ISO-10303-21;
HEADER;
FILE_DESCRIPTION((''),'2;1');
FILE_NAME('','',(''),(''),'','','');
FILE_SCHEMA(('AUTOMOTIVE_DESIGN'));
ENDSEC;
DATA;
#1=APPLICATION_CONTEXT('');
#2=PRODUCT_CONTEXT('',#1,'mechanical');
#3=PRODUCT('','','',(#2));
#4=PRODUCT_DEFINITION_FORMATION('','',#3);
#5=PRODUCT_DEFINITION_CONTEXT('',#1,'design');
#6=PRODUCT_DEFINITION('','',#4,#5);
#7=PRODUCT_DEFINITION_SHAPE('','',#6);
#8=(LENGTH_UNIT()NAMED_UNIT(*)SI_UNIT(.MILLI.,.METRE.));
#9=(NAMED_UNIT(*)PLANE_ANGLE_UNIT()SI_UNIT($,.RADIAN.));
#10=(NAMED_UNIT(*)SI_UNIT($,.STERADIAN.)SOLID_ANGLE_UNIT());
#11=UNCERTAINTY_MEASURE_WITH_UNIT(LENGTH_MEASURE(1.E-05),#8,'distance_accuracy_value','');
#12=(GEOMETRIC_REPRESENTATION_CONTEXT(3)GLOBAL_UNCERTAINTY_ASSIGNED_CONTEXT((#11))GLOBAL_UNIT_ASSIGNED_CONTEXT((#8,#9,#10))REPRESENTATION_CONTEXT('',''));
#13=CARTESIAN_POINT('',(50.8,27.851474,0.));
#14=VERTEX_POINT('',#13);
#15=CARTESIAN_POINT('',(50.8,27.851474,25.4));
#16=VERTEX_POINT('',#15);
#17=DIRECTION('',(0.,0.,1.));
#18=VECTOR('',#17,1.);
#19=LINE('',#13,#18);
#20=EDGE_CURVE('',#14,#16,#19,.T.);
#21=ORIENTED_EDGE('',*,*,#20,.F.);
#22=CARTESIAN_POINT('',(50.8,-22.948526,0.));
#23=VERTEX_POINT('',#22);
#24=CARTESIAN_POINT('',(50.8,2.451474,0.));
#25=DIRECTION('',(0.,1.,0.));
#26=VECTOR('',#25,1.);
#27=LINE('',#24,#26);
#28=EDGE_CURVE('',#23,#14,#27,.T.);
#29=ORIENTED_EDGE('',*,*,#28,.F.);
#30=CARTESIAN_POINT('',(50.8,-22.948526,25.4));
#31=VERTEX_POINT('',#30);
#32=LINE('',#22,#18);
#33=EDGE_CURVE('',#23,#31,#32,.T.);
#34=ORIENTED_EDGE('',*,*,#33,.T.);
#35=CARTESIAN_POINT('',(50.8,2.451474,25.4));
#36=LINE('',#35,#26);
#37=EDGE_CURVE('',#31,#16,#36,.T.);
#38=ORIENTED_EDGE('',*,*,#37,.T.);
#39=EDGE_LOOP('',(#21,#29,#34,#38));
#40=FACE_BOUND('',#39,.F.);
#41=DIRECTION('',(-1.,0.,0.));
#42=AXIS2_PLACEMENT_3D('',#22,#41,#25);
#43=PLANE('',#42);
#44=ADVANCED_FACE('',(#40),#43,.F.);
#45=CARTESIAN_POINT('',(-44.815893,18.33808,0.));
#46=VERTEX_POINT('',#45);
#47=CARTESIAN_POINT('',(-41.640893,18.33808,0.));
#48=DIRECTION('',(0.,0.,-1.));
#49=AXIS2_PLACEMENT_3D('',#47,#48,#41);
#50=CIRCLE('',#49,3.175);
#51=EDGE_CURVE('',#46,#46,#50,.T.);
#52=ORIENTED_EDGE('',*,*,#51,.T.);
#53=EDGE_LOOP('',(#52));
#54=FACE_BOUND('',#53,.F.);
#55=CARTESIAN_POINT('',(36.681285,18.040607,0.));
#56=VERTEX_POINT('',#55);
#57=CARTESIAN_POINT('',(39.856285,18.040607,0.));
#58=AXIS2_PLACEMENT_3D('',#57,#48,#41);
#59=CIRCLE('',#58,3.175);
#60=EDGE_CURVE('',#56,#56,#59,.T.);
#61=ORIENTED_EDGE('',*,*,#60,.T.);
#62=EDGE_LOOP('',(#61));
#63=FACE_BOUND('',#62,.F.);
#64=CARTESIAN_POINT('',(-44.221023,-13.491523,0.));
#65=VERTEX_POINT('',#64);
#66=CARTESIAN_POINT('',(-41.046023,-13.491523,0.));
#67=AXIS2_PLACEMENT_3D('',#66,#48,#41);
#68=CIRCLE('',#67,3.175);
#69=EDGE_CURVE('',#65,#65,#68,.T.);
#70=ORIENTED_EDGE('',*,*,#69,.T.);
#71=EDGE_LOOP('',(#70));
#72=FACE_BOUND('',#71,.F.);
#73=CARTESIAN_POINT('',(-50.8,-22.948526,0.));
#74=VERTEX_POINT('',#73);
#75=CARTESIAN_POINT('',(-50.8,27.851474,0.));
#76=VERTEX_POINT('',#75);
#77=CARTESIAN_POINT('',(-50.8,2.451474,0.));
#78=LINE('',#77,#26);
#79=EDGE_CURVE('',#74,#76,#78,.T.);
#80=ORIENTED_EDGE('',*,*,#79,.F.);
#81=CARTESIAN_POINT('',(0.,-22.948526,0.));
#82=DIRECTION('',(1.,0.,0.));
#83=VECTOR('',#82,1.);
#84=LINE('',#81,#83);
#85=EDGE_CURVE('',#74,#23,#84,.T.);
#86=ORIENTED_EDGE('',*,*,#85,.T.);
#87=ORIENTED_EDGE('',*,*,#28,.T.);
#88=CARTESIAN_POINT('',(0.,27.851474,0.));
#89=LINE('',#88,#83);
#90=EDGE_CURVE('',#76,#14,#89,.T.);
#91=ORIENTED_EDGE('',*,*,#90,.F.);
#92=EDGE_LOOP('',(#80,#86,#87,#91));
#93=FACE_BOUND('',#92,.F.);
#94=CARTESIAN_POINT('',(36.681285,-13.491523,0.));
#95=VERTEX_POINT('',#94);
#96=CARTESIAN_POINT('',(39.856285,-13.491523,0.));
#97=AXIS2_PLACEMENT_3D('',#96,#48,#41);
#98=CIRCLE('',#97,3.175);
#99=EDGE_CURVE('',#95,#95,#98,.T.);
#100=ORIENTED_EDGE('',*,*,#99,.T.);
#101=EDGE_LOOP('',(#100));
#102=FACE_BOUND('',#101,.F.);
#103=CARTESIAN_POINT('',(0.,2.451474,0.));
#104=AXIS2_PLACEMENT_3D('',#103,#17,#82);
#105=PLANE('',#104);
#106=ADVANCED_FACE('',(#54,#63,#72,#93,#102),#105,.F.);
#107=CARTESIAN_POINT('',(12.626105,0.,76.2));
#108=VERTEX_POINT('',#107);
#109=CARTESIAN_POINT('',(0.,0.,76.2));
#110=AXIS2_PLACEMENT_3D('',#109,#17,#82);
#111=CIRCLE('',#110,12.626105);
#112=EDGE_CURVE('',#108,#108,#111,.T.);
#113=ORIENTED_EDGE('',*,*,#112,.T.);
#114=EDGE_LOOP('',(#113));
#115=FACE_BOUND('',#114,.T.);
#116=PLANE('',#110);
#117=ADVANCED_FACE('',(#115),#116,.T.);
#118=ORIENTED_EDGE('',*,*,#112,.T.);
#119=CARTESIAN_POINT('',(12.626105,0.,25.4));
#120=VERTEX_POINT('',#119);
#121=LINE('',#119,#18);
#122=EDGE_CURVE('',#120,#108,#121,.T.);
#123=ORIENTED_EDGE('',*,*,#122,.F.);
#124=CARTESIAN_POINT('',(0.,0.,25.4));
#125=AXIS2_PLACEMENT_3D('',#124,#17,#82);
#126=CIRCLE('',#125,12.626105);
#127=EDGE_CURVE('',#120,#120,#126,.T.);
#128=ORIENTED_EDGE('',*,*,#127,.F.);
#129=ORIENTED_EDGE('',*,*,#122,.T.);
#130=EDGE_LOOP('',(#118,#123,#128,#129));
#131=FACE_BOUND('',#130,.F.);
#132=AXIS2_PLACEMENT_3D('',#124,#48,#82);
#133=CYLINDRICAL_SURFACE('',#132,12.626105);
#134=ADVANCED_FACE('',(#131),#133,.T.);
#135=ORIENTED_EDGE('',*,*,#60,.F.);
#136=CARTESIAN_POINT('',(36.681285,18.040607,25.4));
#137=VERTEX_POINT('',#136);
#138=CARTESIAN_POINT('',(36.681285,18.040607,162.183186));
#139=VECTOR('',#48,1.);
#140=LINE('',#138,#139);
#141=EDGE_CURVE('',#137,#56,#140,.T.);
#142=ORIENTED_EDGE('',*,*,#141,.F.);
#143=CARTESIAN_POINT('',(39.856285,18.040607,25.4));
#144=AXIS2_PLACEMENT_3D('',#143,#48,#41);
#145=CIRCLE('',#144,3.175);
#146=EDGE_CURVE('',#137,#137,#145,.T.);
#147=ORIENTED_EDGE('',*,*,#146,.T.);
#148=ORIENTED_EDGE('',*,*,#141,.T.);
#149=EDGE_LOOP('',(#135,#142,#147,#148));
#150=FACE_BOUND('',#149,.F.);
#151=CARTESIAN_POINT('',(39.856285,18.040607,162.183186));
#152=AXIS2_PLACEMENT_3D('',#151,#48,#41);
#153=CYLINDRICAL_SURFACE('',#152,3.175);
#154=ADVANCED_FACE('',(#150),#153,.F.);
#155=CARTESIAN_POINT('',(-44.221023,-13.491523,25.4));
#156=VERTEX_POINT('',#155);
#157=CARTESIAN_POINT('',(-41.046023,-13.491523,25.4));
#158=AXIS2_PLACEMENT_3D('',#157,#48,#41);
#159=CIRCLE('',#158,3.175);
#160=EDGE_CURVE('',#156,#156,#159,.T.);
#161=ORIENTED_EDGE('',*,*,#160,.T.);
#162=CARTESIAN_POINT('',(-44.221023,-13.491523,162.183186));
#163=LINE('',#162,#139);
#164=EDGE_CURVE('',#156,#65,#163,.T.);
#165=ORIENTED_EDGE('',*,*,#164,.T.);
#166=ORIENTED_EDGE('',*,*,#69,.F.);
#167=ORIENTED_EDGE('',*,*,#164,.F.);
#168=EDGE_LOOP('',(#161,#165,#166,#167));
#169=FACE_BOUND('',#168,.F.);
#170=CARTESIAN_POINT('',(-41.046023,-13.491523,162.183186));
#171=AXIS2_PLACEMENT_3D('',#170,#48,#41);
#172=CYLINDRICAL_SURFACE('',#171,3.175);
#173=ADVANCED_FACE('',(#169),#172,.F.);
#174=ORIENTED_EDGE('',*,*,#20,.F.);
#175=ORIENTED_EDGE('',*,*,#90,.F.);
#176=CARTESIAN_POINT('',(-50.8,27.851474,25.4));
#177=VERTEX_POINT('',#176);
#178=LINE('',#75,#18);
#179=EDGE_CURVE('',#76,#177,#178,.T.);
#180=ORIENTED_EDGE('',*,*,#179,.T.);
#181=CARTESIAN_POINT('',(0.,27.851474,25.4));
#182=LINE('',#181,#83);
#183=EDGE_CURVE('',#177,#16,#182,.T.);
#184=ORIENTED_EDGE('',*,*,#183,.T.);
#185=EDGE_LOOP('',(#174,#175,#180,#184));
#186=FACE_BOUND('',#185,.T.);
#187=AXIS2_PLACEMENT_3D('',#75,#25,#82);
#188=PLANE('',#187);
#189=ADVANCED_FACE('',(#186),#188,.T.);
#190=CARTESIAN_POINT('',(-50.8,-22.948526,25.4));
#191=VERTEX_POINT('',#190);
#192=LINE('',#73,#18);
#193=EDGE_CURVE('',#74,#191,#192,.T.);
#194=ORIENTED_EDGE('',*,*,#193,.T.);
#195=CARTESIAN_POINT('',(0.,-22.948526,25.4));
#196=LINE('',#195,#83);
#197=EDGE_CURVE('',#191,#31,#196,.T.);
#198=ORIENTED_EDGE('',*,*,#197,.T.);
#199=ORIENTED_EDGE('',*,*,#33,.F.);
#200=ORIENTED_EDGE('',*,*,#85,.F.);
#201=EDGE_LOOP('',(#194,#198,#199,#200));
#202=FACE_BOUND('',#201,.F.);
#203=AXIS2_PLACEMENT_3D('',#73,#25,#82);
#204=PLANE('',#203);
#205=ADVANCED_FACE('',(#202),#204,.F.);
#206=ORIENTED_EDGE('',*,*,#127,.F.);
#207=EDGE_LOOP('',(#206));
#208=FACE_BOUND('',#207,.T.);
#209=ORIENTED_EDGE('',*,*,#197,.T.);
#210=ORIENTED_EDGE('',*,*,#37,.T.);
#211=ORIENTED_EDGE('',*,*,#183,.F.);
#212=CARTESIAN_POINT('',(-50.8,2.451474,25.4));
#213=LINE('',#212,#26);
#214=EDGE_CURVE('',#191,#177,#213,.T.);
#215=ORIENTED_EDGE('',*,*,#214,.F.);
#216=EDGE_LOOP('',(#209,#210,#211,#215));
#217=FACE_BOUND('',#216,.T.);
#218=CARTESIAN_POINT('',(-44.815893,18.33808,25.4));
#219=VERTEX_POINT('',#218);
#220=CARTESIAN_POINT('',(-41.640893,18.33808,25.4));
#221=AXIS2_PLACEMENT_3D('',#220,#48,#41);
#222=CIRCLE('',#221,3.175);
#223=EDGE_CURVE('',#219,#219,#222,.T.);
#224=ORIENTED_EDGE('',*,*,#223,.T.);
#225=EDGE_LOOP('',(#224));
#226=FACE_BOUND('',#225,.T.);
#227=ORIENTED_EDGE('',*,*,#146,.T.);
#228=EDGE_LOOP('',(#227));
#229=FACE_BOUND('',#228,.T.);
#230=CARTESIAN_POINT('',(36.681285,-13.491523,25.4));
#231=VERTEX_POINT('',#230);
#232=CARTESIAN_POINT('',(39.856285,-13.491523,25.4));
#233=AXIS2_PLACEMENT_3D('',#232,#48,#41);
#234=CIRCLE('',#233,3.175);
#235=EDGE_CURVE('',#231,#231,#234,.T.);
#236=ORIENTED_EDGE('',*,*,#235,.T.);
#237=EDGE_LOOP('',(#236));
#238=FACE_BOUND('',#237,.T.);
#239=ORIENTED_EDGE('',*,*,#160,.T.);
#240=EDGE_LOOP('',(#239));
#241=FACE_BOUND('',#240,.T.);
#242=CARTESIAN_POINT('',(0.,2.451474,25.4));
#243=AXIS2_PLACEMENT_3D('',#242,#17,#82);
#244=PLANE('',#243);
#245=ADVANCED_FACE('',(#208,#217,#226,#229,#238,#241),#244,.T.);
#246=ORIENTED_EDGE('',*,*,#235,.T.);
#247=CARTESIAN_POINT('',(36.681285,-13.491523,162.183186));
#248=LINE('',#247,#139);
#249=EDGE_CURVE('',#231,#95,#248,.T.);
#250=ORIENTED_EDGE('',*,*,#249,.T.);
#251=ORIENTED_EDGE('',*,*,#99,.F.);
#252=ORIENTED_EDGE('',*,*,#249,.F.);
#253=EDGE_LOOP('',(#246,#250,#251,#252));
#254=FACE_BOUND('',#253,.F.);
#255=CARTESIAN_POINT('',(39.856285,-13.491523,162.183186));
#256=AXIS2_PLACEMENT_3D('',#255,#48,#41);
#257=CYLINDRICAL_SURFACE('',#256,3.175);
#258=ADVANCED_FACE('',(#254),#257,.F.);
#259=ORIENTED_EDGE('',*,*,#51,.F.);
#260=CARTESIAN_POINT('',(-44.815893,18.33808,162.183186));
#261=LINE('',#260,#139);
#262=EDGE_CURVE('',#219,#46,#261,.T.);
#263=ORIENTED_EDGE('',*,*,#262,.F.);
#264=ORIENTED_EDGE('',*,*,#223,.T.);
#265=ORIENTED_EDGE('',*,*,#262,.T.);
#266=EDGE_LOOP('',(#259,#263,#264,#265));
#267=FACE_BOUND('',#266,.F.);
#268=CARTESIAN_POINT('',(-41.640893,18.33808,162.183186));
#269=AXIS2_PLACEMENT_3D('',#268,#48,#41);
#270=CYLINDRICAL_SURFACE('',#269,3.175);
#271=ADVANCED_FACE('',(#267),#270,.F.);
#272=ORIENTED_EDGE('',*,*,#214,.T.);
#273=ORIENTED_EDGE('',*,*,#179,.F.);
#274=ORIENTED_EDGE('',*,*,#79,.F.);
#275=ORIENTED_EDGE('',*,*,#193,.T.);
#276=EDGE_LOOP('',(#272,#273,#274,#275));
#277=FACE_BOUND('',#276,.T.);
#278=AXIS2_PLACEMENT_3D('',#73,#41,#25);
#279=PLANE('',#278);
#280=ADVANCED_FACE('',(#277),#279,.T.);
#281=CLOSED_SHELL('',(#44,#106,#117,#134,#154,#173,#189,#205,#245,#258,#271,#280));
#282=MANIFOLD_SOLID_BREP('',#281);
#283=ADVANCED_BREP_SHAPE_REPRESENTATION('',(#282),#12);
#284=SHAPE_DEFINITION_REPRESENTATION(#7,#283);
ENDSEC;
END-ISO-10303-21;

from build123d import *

# Parameters (mm, degrees)
F0_W     = 101.6
F0_H     = 50.8
F1_DEPTH = 25.4
F3_R     = 12.626105
F4_DEPTH = 50.8
F5_D     = 6.35


with BuildPart() as f1:
    # F0 (on Top) → F1 (new body)
    with BuildSketch(Plane.XY):
        with Locations((0, 2.451474)):
            Rectangle(F0_W, F0_H)
    extrude(amount=F1_DEPTH)

    # F3 (on face) → F4 (join)
    with BuildSketch(Plane.XY.offset(25.4)):
        Circle(F3_R)
    extrude(amount=F4_DEPTH)

    # F5 (through all)
    with Locations(Plane.XY.offset(25.4)):
        with Locations((-41.046023, -13.491523), (39.856285, -13.491523), (39.856285, 18.040607), (-41.640893, 18.33808)):
            Hole(F5_D / 2)


solid = f1.part
